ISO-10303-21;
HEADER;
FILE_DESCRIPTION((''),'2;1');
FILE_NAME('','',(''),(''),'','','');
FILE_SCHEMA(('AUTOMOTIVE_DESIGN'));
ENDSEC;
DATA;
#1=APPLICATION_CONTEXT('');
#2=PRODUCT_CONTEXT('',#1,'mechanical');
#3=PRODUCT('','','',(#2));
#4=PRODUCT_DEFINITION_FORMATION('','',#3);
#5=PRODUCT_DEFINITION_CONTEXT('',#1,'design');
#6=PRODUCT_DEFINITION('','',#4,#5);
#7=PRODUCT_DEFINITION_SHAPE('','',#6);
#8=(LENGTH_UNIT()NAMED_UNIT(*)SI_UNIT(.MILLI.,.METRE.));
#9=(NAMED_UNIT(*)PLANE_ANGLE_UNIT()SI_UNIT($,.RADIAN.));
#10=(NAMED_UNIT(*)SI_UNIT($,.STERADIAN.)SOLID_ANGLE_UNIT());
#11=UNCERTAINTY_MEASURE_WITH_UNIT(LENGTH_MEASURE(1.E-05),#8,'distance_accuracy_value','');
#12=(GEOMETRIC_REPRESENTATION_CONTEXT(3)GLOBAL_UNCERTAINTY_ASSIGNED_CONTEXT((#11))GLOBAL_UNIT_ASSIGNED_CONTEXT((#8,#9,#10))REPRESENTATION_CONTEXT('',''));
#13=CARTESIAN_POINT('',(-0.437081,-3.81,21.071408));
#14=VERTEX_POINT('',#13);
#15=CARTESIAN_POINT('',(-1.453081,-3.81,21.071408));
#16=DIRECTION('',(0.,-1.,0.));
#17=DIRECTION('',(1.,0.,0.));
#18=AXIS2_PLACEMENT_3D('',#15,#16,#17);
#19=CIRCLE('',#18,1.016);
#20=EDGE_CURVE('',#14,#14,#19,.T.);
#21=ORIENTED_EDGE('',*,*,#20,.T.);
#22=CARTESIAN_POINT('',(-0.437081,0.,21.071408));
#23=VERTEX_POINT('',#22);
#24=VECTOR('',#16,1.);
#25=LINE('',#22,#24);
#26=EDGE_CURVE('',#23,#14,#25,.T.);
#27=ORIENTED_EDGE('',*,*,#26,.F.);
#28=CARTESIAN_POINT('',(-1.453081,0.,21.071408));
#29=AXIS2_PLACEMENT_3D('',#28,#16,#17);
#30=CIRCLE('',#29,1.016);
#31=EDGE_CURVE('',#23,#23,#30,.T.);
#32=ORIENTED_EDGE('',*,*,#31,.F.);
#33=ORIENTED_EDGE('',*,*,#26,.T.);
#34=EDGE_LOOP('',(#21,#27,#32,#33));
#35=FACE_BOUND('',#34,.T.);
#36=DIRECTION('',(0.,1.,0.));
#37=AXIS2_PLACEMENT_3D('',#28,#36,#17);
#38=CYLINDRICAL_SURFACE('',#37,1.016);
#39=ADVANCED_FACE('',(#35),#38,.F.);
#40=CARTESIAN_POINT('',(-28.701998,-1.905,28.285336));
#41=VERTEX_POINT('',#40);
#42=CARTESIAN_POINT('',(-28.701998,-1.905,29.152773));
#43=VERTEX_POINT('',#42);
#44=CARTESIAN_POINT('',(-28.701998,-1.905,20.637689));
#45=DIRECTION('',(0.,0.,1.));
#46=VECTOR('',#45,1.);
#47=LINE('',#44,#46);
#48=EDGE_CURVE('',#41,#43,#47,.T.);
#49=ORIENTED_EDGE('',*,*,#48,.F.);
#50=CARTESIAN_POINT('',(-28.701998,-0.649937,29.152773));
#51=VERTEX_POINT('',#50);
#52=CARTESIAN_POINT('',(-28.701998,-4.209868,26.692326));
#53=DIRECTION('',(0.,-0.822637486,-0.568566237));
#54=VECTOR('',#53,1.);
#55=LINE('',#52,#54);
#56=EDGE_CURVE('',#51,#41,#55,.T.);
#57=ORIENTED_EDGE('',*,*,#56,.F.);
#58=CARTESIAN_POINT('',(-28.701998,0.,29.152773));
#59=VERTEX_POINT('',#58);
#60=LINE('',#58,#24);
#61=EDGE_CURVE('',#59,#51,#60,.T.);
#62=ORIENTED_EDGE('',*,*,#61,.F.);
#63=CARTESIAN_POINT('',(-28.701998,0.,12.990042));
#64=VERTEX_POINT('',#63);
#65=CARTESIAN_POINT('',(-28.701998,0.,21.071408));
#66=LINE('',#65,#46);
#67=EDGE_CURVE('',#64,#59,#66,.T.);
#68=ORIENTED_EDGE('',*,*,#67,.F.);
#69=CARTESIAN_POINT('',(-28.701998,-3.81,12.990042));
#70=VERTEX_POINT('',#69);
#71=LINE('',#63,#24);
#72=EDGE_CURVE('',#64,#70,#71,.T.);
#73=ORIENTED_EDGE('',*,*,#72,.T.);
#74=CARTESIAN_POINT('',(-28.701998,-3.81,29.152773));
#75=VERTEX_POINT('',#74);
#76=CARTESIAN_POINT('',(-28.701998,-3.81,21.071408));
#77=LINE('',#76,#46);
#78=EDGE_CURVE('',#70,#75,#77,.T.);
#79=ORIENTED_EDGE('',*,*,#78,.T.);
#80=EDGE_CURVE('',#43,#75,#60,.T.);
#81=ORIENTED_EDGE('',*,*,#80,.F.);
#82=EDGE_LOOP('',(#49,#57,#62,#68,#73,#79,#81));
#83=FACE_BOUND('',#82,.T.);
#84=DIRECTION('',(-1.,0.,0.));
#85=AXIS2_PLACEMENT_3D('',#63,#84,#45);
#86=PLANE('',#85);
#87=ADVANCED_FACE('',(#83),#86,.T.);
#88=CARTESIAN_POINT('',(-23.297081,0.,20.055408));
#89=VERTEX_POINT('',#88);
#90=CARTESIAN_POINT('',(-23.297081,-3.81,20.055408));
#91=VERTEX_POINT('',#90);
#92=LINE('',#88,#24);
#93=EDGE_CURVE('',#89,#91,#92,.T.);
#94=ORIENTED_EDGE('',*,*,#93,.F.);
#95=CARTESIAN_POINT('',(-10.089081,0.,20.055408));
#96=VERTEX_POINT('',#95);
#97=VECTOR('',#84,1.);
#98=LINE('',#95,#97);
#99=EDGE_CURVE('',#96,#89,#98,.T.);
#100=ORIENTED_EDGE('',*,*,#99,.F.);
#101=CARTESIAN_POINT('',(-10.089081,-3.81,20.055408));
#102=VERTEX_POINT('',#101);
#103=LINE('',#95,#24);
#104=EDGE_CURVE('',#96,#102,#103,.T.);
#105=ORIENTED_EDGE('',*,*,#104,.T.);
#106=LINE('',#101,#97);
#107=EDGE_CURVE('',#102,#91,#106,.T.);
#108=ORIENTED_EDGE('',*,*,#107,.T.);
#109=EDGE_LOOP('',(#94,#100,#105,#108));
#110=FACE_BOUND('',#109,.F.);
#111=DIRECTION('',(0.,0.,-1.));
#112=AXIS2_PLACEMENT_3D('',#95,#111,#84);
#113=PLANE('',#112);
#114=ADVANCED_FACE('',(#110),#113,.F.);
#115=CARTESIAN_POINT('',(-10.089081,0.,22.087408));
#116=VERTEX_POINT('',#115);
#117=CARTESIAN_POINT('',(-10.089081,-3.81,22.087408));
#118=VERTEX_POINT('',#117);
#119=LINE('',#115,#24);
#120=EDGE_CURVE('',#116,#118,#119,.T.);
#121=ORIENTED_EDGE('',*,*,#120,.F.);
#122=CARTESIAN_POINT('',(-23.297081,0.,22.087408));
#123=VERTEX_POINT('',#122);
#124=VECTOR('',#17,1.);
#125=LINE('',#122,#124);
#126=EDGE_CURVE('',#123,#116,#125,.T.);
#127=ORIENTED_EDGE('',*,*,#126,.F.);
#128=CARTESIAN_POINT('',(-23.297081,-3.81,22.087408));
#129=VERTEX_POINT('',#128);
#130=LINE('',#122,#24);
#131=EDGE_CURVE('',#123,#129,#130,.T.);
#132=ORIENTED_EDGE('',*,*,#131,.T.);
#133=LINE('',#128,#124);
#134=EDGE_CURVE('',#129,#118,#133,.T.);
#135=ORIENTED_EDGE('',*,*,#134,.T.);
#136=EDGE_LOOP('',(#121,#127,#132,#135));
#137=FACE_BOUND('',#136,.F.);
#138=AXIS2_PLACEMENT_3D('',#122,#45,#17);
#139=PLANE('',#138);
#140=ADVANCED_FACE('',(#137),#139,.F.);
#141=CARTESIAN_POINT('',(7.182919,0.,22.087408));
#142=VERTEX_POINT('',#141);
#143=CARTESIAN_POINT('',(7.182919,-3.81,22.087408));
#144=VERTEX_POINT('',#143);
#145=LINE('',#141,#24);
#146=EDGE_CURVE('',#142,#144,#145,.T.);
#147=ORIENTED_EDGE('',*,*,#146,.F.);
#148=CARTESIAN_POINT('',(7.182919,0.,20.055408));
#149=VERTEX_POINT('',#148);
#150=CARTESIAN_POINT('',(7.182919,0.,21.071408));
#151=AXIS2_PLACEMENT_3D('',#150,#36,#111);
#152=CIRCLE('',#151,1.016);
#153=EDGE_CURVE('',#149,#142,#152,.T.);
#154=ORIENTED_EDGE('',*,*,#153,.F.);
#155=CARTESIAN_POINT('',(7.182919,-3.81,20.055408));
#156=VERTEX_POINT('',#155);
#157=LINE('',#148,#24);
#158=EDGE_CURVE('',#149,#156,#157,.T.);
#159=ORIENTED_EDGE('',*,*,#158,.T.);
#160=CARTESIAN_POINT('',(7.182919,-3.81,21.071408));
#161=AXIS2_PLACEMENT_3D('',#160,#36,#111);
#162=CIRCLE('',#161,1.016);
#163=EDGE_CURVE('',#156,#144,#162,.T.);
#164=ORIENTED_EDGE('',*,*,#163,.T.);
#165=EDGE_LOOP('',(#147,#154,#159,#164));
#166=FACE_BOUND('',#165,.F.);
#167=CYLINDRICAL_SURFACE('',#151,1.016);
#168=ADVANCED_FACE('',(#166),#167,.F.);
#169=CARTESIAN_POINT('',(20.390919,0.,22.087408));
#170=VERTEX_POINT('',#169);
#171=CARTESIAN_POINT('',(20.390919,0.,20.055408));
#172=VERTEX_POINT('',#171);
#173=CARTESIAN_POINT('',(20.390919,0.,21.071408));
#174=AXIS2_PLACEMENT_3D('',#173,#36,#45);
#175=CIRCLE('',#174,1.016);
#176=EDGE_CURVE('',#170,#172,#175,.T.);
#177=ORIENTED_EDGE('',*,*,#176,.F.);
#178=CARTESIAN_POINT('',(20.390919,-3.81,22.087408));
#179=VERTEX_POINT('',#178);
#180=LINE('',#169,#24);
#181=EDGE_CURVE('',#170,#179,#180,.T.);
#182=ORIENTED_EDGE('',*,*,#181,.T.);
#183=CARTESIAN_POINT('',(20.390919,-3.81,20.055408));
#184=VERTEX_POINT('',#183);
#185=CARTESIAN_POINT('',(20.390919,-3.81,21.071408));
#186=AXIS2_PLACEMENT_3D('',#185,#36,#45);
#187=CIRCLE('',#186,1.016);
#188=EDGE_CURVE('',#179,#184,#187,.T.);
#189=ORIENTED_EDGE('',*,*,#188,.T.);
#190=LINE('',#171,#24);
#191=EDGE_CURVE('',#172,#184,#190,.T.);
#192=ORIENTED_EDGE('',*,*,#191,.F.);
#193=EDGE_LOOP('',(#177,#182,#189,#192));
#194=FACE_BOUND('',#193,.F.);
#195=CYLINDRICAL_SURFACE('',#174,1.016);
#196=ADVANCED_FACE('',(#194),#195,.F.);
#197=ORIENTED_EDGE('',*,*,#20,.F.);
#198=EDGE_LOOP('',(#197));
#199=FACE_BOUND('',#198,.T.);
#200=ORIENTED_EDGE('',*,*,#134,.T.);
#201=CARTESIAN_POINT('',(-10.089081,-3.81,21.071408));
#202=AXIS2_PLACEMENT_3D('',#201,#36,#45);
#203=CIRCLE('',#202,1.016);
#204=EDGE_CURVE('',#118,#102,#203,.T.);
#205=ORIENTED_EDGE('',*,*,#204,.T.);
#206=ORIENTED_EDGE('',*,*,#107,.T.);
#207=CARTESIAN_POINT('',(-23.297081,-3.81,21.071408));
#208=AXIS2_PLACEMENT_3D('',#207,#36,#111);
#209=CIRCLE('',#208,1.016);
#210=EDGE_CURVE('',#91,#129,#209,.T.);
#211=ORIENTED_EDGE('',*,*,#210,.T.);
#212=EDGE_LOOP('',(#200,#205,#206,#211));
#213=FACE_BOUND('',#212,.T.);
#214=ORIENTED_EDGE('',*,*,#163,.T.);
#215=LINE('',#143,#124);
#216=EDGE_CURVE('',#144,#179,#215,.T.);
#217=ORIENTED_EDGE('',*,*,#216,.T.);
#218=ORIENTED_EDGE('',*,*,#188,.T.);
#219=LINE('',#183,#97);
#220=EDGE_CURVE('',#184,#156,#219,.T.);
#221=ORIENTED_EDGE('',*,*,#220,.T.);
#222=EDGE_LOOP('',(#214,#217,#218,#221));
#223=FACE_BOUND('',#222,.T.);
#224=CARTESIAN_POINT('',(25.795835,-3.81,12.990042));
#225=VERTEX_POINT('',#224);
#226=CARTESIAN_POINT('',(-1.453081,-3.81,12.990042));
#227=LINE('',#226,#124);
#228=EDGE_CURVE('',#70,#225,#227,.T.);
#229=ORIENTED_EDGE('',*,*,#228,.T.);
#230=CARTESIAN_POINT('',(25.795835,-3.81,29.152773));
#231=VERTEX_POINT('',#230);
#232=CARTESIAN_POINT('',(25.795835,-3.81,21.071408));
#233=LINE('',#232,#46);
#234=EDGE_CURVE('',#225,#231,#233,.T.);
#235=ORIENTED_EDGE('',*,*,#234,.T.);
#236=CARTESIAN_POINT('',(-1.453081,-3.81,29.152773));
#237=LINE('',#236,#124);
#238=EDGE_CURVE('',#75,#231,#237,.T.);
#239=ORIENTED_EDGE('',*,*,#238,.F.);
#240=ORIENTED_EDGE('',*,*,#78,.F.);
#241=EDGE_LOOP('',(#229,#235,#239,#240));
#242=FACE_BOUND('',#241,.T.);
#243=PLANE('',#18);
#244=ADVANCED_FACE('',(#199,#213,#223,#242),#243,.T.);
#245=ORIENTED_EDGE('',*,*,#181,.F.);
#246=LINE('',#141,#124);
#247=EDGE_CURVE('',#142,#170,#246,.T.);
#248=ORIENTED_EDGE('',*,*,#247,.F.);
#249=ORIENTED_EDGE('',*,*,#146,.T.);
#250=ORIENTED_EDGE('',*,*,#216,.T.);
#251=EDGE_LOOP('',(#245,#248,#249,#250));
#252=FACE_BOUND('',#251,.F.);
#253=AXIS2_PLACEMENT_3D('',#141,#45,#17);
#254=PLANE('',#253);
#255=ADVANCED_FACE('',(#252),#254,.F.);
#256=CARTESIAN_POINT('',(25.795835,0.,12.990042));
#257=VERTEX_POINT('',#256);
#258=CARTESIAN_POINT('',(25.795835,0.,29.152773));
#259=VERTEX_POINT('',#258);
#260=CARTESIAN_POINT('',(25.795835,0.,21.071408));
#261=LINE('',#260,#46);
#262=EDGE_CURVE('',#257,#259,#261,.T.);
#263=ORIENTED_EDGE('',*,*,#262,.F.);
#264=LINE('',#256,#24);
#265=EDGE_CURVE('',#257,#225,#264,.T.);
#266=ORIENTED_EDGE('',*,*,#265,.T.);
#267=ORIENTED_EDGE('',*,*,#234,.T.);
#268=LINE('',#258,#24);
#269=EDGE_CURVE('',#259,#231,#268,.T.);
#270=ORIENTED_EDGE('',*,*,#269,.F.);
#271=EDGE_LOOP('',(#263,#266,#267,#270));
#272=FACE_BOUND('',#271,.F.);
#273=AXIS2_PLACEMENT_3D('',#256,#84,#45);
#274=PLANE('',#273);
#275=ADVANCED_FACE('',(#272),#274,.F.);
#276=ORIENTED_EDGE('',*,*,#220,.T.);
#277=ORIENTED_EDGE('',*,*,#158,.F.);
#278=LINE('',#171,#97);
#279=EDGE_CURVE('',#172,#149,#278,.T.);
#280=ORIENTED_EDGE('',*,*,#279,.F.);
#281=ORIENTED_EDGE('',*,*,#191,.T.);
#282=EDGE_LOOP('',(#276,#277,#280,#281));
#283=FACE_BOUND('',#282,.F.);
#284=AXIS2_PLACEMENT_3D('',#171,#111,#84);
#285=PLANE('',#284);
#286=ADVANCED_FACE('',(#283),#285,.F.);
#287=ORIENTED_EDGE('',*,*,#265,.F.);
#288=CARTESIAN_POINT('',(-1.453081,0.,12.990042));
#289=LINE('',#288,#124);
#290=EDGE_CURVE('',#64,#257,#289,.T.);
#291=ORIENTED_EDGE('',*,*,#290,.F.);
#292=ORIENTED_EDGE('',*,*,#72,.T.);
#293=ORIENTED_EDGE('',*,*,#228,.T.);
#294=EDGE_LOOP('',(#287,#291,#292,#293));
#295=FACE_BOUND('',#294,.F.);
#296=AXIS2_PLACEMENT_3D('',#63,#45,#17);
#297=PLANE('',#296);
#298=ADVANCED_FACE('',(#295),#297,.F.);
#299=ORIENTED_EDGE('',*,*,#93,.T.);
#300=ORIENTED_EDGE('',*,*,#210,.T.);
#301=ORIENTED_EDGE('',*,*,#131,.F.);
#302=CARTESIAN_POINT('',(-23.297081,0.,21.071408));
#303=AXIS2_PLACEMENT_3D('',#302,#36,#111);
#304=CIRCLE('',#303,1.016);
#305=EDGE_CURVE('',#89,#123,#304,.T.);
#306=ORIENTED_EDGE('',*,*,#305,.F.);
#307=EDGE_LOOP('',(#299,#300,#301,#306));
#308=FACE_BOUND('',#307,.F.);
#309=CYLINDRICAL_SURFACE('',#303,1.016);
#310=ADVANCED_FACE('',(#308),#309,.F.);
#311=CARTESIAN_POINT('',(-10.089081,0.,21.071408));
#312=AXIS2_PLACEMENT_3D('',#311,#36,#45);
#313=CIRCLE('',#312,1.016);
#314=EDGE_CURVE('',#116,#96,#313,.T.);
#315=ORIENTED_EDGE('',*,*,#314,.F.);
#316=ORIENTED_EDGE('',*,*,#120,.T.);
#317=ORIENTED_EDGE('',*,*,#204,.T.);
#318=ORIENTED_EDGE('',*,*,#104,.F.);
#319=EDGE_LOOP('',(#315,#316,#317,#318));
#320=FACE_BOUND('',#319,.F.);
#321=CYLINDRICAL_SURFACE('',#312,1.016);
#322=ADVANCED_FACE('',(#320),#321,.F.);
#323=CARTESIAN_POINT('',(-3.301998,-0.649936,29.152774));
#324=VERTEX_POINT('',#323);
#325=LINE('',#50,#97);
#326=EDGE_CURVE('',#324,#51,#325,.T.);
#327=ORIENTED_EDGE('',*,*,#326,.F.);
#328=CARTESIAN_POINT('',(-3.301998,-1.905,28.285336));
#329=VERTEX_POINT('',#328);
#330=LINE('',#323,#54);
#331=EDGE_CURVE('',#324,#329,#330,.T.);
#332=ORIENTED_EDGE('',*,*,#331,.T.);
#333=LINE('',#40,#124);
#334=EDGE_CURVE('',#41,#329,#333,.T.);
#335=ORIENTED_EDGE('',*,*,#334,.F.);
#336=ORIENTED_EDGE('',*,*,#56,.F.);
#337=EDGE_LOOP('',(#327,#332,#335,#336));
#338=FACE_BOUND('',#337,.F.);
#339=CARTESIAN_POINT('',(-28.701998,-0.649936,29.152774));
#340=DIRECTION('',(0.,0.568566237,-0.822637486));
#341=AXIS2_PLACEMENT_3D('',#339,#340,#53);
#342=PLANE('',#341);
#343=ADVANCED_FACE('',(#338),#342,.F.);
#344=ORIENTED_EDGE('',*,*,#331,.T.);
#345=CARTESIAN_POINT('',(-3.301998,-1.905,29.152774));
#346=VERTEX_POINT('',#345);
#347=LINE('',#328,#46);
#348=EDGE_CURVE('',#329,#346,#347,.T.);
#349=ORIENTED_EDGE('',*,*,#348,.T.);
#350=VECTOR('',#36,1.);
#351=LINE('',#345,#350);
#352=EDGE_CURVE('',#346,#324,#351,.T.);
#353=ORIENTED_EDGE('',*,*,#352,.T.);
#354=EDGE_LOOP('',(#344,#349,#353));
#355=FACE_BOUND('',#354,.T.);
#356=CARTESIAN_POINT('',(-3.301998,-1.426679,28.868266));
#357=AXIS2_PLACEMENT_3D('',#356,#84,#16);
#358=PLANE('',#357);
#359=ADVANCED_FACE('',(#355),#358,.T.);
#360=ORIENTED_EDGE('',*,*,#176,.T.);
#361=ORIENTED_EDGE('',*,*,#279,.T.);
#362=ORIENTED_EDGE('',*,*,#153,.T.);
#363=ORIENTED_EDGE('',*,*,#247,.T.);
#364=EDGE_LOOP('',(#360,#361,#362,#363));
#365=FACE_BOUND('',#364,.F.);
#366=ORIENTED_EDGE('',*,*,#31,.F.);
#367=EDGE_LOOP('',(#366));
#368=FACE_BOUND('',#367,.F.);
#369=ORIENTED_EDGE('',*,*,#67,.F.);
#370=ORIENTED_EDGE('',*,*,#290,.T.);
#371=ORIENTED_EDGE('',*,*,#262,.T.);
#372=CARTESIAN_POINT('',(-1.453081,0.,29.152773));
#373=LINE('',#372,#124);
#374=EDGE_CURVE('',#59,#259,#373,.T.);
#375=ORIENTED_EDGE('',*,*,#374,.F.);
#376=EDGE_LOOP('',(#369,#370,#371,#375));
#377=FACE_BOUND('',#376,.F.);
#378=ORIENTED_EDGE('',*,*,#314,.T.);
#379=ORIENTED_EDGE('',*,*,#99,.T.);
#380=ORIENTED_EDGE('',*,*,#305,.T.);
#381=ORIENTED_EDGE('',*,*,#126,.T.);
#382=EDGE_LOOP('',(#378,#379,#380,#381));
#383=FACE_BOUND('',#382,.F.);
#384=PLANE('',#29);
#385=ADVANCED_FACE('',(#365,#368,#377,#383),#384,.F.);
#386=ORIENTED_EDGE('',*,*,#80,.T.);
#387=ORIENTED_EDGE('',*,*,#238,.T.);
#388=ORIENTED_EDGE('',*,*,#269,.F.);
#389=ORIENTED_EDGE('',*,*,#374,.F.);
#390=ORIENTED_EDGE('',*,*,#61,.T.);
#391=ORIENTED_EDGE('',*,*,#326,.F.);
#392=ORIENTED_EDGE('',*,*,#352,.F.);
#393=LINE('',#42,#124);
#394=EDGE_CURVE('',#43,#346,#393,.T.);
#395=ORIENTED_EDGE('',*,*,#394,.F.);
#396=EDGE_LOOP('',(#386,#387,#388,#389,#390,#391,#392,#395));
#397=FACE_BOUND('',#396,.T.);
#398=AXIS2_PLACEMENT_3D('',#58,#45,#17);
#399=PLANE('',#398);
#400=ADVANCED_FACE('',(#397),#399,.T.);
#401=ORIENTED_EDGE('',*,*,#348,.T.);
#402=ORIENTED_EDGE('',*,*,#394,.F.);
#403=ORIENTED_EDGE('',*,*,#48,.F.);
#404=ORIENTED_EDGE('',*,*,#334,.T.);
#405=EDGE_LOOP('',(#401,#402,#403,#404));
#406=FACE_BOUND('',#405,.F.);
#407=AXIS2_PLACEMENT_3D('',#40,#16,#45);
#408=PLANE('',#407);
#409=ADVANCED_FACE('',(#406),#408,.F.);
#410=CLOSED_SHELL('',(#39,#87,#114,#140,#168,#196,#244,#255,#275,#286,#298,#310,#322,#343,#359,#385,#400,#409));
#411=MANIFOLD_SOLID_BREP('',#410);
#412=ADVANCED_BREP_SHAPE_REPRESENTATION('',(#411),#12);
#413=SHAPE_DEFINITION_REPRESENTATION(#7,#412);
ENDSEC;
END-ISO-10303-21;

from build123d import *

# Parameters (mm, degrees)
F0_W     = 54.497833
F0_H     = 16.162731
F0_R     = 1.016
F1_DEPTH = 3.81
F3_DEPTH = 25.4


with BuildPart() as f1:
    # F0 (on Front) → F1 (new body)
    with BuildSketch(Plane.XZ):
        with Locations((-1.453081, 21.071408)):
            Rectangle(F0_W, F0_H)
        with BuildLine():
            ThreePointArc((-23.297081, 20.055408), (-24.313081, 21.071408), (-23.297081, 22.087408))
            Line((-23.297081, 22.087408), (-10.089081, 22.087408))
            ThreePointArc((-10.089081, 22.087408), (-9.073081, 21.071408), (-10.089081, 20.055408))
            Line((-10.089081, 20.055408), (-23.297081, 20.055408))
        make_face(mode=Mode.SUBTRACT)
        with BuildLine():
            ThreePointArc((20.390919, 22.087408), (21.406919, 21.071408), (20.390919, 20.055408))
            Line((20.390919, 20.055408), (7.182919, 20.055408))
            ThreePointArc((7.182919, 20.055408), (6.166919, 21.071408), (7.182919, 22.087408))
            Line((7.182919, 22.087408), (20.390919, 22.087408))
        make_face(mode=Mode.SUBTRACT)
        with Locations((-1.453081, 21.071408)):
            Circle(F0_R, mode=Mode.SUBTRACT)
    extrude(amount=F1_DEPTH)

    # F2 (on face) → F3 (cut)
    with BuildSketch(Plane(origin=(-28.701998, 0, 0), x_dir=(0, -1, 0), z_dir=(-1, 0, 0))):
        Polygon((1.905, 28.285336), (1.905, 29.152774), (0.649936, 29.152774), align=None)
    extrude(amount=-F3_DEPTH, mode=Mode.SUBTRACT)


solid = f1.part
